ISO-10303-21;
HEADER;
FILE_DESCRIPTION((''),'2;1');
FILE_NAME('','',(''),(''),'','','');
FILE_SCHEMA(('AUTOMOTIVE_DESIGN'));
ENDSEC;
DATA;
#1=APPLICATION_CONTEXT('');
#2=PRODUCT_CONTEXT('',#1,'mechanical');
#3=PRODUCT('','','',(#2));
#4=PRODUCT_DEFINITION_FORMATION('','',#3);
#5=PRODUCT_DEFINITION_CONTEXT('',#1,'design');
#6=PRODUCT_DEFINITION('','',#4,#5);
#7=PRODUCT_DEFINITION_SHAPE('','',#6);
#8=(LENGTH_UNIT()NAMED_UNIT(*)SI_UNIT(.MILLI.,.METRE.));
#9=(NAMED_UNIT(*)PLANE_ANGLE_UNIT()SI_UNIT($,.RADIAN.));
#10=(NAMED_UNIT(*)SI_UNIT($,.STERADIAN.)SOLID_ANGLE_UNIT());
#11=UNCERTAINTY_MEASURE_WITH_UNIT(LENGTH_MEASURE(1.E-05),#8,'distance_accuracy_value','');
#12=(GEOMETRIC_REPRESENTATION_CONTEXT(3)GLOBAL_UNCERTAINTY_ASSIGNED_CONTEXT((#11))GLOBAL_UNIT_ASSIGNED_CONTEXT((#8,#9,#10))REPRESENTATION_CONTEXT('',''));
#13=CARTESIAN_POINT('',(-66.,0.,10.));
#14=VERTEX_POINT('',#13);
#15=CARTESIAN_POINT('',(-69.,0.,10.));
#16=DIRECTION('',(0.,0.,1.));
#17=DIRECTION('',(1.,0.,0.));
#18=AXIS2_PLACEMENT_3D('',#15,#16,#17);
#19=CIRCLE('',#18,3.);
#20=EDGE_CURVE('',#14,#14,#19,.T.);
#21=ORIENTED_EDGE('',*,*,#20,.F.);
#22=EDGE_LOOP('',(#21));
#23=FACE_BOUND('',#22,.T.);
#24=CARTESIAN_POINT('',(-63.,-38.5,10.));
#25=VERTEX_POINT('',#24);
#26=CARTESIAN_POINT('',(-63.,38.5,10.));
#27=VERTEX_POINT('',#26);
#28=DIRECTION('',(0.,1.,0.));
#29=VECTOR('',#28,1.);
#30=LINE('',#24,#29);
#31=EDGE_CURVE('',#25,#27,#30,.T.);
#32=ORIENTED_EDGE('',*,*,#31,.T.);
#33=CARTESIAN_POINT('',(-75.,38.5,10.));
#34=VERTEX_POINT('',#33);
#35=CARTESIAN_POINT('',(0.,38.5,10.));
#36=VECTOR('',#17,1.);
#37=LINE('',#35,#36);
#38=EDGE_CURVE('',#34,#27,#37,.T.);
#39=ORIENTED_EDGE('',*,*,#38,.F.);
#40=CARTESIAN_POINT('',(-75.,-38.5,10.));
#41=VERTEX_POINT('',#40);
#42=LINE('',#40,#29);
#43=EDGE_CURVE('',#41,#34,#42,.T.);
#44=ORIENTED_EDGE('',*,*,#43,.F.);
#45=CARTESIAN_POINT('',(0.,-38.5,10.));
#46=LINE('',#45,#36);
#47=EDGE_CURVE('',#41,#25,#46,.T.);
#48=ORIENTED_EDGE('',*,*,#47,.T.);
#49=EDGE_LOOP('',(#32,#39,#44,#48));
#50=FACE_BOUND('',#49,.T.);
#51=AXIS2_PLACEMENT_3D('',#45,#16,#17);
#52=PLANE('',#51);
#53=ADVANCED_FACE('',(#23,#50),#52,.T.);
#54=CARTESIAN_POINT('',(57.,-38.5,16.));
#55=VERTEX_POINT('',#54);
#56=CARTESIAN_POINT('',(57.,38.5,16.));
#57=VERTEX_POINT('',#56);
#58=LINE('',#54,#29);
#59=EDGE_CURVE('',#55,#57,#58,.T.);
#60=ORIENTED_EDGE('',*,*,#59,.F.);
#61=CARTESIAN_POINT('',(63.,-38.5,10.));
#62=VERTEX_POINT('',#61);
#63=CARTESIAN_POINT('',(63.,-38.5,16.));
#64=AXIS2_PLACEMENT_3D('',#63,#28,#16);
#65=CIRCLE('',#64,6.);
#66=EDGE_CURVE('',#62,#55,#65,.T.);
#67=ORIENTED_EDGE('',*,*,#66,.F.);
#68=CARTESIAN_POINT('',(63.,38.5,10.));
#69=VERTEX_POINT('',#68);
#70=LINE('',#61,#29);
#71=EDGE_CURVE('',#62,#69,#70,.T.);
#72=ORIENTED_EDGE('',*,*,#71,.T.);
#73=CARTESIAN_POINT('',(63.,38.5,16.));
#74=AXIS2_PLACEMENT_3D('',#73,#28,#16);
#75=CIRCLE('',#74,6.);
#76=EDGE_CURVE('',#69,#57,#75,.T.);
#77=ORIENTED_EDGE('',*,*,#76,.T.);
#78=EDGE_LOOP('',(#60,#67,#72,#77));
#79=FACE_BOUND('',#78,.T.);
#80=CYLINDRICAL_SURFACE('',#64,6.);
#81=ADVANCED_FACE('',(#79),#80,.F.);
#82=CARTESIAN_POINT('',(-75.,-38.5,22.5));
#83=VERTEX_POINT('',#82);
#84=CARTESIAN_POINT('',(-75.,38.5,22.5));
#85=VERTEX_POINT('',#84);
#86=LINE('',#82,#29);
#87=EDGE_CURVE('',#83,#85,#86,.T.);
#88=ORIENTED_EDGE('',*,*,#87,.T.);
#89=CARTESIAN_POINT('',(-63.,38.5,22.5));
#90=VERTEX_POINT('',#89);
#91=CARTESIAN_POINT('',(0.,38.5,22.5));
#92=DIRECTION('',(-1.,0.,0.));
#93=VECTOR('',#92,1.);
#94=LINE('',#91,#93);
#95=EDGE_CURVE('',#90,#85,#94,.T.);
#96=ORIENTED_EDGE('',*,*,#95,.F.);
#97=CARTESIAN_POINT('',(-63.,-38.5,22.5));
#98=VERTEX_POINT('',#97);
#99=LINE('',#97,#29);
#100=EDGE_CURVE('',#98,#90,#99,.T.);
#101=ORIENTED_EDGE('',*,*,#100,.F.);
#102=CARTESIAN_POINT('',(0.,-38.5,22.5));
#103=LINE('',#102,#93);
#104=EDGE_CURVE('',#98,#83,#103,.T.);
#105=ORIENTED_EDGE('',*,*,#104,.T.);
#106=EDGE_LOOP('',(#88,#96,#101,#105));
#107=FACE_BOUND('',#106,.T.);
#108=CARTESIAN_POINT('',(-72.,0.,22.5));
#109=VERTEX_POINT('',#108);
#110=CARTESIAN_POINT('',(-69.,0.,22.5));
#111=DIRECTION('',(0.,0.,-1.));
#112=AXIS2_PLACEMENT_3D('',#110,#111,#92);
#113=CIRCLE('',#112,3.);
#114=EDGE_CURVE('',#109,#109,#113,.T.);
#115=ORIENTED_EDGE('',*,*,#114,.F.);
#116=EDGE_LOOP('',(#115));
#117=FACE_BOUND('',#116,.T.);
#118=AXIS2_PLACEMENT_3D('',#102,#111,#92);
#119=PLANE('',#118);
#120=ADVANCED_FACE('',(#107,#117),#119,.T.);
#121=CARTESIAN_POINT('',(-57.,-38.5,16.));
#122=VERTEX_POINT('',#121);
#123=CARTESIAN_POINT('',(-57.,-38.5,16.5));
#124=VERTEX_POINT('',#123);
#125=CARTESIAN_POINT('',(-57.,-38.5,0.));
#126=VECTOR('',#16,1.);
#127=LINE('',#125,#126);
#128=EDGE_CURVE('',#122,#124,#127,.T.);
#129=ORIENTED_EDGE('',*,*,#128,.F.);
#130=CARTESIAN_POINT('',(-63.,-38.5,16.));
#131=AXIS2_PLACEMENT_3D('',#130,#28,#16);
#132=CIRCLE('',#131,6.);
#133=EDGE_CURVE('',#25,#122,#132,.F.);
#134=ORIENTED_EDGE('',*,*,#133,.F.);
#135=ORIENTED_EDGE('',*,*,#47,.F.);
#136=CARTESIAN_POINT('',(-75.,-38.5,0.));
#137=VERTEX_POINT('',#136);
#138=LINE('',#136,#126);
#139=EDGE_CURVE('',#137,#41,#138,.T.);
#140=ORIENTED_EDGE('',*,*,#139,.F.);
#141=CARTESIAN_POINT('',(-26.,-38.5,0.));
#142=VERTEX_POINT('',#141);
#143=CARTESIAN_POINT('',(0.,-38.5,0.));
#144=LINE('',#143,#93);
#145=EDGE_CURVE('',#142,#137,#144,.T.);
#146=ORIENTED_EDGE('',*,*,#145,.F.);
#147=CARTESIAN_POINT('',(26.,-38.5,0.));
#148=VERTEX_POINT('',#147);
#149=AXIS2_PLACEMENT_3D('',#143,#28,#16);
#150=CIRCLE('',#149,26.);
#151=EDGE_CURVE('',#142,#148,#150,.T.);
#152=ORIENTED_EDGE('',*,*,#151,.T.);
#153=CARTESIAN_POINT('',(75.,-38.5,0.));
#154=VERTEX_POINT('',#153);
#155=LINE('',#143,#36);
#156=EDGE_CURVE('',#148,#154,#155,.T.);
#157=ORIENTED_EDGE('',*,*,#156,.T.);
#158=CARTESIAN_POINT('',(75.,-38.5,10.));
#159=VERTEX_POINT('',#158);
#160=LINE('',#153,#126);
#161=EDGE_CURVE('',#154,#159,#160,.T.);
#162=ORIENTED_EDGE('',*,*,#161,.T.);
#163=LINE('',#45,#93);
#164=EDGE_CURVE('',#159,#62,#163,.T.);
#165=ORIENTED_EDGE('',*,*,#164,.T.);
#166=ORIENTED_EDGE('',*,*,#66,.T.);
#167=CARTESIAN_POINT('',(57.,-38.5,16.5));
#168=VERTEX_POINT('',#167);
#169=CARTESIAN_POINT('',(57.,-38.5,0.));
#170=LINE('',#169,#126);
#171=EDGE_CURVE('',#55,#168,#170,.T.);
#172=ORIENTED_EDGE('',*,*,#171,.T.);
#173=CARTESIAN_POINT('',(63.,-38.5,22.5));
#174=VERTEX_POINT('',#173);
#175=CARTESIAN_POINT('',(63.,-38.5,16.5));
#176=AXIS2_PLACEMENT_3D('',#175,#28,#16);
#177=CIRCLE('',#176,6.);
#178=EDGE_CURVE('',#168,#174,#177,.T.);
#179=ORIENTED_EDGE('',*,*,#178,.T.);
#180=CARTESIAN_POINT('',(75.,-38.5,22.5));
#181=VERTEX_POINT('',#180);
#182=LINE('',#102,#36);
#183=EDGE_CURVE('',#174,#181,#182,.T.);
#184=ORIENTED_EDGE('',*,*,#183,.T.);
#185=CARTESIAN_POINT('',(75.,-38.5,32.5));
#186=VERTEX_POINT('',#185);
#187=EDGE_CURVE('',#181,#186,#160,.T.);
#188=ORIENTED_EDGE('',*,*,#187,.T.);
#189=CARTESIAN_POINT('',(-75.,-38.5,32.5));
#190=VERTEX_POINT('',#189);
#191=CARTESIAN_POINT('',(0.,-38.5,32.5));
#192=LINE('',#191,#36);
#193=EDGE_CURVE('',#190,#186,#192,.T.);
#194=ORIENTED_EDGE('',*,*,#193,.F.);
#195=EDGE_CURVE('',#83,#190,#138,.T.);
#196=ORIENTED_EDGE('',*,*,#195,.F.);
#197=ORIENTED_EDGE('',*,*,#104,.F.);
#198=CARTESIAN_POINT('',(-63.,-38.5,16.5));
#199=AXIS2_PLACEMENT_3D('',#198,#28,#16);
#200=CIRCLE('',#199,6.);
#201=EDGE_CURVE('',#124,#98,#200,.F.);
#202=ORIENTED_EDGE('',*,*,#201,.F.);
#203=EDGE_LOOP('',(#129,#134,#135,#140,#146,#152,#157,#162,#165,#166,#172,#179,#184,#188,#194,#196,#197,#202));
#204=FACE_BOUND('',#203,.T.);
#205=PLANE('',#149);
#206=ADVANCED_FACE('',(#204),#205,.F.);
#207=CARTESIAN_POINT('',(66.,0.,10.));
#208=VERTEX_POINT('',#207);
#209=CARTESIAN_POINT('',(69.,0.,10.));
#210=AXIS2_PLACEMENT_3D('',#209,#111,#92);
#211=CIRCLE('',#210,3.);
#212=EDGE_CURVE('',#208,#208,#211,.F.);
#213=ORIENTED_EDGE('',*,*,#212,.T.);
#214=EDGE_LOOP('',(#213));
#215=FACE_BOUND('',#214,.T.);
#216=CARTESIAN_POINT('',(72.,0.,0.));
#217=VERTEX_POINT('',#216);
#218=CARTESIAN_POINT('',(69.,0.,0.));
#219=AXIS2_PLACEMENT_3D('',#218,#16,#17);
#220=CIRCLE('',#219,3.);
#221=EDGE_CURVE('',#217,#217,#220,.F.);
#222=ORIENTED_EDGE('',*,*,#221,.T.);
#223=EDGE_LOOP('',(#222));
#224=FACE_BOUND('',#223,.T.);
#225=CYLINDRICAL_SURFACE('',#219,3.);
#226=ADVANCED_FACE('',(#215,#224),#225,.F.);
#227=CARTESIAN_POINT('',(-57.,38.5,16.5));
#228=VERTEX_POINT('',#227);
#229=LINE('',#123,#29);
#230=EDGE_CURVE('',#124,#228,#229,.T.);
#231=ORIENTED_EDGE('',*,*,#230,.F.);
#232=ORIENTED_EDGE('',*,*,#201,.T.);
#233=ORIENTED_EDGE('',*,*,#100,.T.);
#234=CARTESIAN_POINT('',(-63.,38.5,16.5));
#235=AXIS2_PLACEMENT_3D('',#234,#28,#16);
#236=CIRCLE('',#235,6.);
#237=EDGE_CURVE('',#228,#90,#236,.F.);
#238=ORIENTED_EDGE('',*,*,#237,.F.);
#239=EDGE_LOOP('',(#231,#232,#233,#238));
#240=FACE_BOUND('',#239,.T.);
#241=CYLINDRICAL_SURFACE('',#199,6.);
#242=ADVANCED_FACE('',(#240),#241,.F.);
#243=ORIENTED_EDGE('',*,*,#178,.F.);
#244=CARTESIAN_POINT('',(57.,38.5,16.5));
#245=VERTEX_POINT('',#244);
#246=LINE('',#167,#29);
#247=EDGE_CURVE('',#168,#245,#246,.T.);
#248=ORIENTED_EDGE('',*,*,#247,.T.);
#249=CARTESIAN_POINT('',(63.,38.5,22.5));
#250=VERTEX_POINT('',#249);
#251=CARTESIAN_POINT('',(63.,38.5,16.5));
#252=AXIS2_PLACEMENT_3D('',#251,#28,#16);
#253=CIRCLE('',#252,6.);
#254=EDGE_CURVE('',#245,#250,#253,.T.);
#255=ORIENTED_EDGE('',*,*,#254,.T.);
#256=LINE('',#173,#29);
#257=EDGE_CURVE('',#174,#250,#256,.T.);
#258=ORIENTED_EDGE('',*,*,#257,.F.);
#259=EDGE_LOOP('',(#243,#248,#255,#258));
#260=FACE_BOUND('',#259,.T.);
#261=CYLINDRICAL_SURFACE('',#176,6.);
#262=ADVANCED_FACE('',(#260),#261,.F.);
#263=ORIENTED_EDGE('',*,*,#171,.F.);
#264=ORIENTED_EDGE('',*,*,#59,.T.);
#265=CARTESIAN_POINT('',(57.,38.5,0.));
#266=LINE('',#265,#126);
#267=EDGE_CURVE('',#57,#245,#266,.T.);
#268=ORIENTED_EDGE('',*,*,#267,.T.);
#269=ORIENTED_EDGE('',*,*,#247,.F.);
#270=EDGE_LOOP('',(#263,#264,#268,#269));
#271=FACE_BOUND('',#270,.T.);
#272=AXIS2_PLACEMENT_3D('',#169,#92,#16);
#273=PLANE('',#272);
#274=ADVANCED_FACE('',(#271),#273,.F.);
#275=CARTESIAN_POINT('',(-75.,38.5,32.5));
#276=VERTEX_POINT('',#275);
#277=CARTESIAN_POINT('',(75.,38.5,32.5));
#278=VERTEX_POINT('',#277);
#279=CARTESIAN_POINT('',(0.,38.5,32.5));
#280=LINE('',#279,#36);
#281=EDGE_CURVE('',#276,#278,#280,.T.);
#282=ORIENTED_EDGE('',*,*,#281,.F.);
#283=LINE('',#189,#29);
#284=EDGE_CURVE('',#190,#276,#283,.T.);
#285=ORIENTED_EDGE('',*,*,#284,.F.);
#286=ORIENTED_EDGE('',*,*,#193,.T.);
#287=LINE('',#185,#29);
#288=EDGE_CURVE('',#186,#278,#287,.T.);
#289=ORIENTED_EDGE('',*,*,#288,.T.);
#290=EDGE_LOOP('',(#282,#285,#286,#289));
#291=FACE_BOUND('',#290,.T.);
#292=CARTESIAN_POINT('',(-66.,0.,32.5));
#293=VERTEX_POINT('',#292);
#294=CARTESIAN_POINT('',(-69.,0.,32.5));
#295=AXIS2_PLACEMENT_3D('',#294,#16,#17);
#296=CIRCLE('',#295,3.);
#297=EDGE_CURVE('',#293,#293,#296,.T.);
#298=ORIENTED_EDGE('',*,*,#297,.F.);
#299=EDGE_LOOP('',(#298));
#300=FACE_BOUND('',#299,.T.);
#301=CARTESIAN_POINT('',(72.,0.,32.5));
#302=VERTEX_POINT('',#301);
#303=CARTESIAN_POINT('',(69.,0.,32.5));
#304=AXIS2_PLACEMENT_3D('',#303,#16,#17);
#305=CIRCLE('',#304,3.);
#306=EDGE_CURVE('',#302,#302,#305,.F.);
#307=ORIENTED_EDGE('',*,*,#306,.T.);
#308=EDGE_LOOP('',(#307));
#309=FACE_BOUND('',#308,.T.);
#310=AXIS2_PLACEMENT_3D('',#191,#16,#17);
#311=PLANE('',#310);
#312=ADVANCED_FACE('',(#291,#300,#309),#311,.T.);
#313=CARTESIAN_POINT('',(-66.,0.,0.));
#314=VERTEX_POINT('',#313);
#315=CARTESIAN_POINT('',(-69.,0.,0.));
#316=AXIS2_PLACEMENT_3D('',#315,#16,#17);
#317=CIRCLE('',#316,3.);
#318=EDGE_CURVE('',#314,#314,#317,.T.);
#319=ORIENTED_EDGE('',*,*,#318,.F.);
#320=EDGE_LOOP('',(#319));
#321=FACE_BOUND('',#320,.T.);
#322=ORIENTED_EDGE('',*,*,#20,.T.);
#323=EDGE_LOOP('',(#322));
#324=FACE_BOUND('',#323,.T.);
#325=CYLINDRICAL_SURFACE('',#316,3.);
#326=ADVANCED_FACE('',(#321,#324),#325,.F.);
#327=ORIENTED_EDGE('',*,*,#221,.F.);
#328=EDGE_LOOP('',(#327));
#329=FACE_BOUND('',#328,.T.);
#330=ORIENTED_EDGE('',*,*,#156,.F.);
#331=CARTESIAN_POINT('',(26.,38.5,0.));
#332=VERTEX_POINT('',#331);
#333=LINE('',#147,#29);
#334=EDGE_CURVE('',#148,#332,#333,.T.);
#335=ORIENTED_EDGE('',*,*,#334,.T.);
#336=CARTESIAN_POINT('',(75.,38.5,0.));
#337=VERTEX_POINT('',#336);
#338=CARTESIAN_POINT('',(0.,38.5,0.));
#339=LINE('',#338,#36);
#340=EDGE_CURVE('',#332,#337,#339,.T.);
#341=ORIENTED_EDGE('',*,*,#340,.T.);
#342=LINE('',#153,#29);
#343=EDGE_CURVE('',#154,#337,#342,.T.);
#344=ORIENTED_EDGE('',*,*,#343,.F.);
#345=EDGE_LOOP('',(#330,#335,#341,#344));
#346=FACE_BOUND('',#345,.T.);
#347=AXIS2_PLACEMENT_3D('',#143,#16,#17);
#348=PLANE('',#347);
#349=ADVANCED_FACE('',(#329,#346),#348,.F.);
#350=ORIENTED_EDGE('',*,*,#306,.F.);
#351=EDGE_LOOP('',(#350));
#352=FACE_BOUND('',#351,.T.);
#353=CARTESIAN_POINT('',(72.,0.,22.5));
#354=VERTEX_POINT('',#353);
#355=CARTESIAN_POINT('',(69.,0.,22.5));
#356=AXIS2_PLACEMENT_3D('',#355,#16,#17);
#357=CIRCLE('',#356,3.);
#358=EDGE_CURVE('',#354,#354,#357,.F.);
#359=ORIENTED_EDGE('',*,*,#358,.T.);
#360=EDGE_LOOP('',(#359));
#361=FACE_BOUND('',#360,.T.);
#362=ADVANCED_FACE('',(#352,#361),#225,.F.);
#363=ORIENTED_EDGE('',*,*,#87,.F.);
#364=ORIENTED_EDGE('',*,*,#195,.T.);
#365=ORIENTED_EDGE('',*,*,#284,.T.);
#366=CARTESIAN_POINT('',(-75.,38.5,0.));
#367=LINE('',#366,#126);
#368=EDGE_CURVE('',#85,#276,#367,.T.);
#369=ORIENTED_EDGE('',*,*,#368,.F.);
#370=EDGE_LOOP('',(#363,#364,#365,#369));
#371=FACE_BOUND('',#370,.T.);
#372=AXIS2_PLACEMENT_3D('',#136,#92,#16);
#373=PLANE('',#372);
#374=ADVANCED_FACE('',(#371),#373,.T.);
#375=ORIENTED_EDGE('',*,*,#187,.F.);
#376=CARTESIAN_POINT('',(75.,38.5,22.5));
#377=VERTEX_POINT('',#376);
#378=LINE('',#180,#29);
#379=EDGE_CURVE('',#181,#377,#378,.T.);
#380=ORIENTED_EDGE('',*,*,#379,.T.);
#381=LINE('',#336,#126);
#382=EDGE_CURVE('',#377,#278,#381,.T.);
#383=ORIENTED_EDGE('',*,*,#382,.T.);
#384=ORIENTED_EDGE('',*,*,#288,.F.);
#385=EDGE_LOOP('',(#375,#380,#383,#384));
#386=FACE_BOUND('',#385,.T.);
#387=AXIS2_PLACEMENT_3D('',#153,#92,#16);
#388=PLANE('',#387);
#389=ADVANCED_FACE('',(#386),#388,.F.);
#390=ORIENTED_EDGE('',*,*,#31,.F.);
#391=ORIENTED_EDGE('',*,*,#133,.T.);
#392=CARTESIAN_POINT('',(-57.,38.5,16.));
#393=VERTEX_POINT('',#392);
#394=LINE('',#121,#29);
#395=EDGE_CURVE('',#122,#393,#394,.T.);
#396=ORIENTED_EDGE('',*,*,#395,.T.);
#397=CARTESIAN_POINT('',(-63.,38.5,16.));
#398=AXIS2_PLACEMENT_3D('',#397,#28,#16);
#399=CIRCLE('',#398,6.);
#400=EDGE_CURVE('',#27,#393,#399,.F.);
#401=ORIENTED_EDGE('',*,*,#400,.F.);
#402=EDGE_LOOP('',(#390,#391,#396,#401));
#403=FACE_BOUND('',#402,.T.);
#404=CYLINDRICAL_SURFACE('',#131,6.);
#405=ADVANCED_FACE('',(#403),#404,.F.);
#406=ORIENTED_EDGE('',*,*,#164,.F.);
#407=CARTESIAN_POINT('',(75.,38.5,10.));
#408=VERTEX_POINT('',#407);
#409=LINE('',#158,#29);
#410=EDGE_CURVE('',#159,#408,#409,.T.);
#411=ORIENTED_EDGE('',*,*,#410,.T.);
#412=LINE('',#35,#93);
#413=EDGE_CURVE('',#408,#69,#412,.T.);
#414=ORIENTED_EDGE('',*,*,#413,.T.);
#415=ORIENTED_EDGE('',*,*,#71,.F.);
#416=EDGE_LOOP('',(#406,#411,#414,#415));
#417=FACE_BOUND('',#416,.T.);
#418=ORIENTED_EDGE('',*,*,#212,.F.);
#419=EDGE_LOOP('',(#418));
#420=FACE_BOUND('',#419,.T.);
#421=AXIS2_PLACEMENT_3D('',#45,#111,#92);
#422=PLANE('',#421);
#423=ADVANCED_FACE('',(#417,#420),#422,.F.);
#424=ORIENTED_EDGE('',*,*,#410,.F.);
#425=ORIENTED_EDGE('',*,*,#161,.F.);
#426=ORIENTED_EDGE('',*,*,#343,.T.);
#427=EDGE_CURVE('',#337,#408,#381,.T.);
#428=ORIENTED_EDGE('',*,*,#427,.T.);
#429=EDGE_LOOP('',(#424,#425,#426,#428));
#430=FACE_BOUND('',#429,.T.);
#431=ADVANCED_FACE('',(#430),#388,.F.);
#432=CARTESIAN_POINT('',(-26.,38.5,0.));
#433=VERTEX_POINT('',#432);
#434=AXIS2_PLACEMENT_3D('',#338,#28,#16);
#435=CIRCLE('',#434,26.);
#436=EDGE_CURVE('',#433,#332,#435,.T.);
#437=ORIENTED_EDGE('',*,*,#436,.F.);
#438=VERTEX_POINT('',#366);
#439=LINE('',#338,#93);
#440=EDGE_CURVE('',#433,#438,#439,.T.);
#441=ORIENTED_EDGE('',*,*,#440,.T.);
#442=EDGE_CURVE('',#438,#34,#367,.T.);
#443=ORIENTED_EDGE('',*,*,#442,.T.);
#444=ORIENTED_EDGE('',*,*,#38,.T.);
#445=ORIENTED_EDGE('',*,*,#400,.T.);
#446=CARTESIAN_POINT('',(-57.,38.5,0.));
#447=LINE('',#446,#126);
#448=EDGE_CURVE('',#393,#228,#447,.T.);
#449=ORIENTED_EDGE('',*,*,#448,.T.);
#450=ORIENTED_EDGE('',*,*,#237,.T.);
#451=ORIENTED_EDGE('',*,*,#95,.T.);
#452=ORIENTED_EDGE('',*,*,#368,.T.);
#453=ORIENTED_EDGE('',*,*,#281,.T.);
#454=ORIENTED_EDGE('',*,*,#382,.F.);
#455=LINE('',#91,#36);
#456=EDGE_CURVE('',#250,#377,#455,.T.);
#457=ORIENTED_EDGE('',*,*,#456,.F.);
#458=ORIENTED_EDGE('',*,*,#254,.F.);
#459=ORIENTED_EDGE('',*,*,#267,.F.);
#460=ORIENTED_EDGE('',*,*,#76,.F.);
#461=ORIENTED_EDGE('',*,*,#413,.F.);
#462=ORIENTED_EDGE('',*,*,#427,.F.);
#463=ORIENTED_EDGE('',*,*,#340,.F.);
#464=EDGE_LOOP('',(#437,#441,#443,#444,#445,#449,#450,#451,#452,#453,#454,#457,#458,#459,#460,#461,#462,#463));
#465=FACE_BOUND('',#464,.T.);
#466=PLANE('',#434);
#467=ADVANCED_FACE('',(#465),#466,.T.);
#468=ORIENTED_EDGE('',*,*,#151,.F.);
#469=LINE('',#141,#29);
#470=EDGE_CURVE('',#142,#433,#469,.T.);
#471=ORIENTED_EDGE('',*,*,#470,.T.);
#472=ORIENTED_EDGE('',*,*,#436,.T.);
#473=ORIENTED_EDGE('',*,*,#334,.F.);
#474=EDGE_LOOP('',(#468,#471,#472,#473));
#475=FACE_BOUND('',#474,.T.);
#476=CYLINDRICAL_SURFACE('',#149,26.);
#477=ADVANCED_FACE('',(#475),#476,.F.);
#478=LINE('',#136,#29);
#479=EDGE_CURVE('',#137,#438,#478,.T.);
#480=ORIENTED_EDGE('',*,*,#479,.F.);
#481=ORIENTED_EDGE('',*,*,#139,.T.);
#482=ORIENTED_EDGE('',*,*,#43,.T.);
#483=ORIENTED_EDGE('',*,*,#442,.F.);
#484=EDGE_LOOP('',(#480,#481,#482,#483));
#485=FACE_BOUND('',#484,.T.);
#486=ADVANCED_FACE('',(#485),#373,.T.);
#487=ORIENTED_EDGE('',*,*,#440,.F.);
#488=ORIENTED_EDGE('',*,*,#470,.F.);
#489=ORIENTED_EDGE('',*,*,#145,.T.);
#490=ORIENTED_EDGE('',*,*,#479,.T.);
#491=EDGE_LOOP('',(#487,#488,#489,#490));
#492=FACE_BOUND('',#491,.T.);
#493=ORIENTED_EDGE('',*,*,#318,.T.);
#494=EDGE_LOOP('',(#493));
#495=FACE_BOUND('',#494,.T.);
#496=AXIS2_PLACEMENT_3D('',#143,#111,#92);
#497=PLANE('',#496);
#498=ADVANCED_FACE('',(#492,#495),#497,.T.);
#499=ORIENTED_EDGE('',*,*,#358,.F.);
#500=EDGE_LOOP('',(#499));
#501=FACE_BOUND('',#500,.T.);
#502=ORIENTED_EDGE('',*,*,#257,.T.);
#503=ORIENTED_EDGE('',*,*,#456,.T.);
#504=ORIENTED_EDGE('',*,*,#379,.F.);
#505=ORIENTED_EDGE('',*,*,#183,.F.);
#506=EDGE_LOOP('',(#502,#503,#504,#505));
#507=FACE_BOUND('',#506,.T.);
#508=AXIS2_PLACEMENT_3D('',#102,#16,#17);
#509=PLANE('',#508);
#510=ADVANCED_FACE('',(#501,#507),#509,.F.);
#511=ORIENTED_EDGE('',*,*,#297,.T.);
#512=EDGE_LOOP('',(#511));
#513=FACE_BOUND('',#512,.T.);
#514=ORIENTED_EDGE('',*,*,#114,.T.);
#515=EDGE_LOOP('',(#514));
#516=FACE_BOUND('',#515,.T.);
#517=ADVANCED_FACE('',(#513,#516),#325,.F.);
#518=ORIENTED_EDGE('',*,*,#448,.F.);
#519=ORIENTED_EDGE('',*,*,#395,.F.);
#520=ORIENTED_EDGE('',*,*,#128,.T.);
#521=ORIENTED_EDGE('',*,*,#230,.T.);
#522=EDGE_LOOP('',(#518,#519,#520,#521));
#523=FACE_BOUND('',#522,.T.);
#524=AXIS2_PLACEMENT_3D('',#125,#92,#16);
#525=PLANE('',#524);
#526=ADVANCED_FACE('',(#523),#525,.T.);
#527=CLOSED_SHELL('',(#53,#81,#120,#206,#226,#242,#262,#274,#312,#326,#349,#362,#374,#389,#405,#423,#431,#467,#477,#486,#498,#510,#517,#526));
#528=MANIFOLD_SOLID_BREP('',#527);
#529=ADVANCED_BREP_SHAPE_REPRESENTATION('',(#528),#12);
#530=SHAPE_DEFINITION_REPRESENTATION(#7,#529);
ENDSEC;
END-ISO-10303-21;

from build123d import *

# Parameters (mm, degrees)
BOSS_EXTRUDE1_DEPTH      = 38.5
BOSS_EXTRUDE1_DEPTH_BACK = 38.5
SKETCH5_R                = 3
CUT_EXTRUDE1_DEPTH       = 91.352089074


with BuildPart() as part:
    # Sketch1 → Boss-Extrude1 (new, two sides: drawn at the far end of the back side and taken through both)
    with BuildSketch(Plane(origin=(0, 0, 0), x_dir=(1, 0, 0), z_dir=(0, 1, 0)).offset(-BOSS_EXTRUDE1_DEPTH_BACK)):
        with BuildLine():
            Line((-26, 0), (-75, 0))
            Line((-75, 0), (-75, -10))
            Line((-75, -10), (-63, -10))
            ThreePointArc((-63, -10), (-58.757359313, -11.757359313), (-57, -16))
            Line((-57, -16), (-57, -16.5))
            ThreePointArc((-57, -16.5), (-58.757359313, -20.742640687), (-63, -22.5))
            Line((-63, -22.5), (-75, -22.5))
            Line((-75, -22.5), (-75, -32.5))
            Line((-75, -32.5), (75, -32.5))
            Line((75, -32.5), (75, -22.5))
            Line((75, -22.5), (63, -22.5))
            ThreePointArc((63, -22.5), (58.757359313, -20.742640687), (57, -16.5))
            Line((57, -16.5), (57, -16))
            ThreePointArc((57, -16), (58.757359313, -11.757359313), (63, -10))
            Line((63, -10), (75, -10))
            Line((75, -10), (75, 0))
            Line((75, 0), (26, 0))
            ThreePointArc((26, 0), (0, -26), (-26, 0))
        make_face()
    extrude(amount=BOSS_EXTRUDE1_DEPTH + BOSS_EXTRUDE1_DEPTH_BACK)

    # Sketch5 → Cut-Extrude1 (cut, through all)
    with BuildSketch(Plane.XY.offset(32.5)):
        with Locations((-69, 0)):
            Circle(SKETCH5_R)
        with Locations((69, 0)):
            Circle(SKETCH5_R)
    extrude(amount=-CUT_EXTRUDE1_DEPTH, mode=Mode.SUBTRACT)


solid = part.part
